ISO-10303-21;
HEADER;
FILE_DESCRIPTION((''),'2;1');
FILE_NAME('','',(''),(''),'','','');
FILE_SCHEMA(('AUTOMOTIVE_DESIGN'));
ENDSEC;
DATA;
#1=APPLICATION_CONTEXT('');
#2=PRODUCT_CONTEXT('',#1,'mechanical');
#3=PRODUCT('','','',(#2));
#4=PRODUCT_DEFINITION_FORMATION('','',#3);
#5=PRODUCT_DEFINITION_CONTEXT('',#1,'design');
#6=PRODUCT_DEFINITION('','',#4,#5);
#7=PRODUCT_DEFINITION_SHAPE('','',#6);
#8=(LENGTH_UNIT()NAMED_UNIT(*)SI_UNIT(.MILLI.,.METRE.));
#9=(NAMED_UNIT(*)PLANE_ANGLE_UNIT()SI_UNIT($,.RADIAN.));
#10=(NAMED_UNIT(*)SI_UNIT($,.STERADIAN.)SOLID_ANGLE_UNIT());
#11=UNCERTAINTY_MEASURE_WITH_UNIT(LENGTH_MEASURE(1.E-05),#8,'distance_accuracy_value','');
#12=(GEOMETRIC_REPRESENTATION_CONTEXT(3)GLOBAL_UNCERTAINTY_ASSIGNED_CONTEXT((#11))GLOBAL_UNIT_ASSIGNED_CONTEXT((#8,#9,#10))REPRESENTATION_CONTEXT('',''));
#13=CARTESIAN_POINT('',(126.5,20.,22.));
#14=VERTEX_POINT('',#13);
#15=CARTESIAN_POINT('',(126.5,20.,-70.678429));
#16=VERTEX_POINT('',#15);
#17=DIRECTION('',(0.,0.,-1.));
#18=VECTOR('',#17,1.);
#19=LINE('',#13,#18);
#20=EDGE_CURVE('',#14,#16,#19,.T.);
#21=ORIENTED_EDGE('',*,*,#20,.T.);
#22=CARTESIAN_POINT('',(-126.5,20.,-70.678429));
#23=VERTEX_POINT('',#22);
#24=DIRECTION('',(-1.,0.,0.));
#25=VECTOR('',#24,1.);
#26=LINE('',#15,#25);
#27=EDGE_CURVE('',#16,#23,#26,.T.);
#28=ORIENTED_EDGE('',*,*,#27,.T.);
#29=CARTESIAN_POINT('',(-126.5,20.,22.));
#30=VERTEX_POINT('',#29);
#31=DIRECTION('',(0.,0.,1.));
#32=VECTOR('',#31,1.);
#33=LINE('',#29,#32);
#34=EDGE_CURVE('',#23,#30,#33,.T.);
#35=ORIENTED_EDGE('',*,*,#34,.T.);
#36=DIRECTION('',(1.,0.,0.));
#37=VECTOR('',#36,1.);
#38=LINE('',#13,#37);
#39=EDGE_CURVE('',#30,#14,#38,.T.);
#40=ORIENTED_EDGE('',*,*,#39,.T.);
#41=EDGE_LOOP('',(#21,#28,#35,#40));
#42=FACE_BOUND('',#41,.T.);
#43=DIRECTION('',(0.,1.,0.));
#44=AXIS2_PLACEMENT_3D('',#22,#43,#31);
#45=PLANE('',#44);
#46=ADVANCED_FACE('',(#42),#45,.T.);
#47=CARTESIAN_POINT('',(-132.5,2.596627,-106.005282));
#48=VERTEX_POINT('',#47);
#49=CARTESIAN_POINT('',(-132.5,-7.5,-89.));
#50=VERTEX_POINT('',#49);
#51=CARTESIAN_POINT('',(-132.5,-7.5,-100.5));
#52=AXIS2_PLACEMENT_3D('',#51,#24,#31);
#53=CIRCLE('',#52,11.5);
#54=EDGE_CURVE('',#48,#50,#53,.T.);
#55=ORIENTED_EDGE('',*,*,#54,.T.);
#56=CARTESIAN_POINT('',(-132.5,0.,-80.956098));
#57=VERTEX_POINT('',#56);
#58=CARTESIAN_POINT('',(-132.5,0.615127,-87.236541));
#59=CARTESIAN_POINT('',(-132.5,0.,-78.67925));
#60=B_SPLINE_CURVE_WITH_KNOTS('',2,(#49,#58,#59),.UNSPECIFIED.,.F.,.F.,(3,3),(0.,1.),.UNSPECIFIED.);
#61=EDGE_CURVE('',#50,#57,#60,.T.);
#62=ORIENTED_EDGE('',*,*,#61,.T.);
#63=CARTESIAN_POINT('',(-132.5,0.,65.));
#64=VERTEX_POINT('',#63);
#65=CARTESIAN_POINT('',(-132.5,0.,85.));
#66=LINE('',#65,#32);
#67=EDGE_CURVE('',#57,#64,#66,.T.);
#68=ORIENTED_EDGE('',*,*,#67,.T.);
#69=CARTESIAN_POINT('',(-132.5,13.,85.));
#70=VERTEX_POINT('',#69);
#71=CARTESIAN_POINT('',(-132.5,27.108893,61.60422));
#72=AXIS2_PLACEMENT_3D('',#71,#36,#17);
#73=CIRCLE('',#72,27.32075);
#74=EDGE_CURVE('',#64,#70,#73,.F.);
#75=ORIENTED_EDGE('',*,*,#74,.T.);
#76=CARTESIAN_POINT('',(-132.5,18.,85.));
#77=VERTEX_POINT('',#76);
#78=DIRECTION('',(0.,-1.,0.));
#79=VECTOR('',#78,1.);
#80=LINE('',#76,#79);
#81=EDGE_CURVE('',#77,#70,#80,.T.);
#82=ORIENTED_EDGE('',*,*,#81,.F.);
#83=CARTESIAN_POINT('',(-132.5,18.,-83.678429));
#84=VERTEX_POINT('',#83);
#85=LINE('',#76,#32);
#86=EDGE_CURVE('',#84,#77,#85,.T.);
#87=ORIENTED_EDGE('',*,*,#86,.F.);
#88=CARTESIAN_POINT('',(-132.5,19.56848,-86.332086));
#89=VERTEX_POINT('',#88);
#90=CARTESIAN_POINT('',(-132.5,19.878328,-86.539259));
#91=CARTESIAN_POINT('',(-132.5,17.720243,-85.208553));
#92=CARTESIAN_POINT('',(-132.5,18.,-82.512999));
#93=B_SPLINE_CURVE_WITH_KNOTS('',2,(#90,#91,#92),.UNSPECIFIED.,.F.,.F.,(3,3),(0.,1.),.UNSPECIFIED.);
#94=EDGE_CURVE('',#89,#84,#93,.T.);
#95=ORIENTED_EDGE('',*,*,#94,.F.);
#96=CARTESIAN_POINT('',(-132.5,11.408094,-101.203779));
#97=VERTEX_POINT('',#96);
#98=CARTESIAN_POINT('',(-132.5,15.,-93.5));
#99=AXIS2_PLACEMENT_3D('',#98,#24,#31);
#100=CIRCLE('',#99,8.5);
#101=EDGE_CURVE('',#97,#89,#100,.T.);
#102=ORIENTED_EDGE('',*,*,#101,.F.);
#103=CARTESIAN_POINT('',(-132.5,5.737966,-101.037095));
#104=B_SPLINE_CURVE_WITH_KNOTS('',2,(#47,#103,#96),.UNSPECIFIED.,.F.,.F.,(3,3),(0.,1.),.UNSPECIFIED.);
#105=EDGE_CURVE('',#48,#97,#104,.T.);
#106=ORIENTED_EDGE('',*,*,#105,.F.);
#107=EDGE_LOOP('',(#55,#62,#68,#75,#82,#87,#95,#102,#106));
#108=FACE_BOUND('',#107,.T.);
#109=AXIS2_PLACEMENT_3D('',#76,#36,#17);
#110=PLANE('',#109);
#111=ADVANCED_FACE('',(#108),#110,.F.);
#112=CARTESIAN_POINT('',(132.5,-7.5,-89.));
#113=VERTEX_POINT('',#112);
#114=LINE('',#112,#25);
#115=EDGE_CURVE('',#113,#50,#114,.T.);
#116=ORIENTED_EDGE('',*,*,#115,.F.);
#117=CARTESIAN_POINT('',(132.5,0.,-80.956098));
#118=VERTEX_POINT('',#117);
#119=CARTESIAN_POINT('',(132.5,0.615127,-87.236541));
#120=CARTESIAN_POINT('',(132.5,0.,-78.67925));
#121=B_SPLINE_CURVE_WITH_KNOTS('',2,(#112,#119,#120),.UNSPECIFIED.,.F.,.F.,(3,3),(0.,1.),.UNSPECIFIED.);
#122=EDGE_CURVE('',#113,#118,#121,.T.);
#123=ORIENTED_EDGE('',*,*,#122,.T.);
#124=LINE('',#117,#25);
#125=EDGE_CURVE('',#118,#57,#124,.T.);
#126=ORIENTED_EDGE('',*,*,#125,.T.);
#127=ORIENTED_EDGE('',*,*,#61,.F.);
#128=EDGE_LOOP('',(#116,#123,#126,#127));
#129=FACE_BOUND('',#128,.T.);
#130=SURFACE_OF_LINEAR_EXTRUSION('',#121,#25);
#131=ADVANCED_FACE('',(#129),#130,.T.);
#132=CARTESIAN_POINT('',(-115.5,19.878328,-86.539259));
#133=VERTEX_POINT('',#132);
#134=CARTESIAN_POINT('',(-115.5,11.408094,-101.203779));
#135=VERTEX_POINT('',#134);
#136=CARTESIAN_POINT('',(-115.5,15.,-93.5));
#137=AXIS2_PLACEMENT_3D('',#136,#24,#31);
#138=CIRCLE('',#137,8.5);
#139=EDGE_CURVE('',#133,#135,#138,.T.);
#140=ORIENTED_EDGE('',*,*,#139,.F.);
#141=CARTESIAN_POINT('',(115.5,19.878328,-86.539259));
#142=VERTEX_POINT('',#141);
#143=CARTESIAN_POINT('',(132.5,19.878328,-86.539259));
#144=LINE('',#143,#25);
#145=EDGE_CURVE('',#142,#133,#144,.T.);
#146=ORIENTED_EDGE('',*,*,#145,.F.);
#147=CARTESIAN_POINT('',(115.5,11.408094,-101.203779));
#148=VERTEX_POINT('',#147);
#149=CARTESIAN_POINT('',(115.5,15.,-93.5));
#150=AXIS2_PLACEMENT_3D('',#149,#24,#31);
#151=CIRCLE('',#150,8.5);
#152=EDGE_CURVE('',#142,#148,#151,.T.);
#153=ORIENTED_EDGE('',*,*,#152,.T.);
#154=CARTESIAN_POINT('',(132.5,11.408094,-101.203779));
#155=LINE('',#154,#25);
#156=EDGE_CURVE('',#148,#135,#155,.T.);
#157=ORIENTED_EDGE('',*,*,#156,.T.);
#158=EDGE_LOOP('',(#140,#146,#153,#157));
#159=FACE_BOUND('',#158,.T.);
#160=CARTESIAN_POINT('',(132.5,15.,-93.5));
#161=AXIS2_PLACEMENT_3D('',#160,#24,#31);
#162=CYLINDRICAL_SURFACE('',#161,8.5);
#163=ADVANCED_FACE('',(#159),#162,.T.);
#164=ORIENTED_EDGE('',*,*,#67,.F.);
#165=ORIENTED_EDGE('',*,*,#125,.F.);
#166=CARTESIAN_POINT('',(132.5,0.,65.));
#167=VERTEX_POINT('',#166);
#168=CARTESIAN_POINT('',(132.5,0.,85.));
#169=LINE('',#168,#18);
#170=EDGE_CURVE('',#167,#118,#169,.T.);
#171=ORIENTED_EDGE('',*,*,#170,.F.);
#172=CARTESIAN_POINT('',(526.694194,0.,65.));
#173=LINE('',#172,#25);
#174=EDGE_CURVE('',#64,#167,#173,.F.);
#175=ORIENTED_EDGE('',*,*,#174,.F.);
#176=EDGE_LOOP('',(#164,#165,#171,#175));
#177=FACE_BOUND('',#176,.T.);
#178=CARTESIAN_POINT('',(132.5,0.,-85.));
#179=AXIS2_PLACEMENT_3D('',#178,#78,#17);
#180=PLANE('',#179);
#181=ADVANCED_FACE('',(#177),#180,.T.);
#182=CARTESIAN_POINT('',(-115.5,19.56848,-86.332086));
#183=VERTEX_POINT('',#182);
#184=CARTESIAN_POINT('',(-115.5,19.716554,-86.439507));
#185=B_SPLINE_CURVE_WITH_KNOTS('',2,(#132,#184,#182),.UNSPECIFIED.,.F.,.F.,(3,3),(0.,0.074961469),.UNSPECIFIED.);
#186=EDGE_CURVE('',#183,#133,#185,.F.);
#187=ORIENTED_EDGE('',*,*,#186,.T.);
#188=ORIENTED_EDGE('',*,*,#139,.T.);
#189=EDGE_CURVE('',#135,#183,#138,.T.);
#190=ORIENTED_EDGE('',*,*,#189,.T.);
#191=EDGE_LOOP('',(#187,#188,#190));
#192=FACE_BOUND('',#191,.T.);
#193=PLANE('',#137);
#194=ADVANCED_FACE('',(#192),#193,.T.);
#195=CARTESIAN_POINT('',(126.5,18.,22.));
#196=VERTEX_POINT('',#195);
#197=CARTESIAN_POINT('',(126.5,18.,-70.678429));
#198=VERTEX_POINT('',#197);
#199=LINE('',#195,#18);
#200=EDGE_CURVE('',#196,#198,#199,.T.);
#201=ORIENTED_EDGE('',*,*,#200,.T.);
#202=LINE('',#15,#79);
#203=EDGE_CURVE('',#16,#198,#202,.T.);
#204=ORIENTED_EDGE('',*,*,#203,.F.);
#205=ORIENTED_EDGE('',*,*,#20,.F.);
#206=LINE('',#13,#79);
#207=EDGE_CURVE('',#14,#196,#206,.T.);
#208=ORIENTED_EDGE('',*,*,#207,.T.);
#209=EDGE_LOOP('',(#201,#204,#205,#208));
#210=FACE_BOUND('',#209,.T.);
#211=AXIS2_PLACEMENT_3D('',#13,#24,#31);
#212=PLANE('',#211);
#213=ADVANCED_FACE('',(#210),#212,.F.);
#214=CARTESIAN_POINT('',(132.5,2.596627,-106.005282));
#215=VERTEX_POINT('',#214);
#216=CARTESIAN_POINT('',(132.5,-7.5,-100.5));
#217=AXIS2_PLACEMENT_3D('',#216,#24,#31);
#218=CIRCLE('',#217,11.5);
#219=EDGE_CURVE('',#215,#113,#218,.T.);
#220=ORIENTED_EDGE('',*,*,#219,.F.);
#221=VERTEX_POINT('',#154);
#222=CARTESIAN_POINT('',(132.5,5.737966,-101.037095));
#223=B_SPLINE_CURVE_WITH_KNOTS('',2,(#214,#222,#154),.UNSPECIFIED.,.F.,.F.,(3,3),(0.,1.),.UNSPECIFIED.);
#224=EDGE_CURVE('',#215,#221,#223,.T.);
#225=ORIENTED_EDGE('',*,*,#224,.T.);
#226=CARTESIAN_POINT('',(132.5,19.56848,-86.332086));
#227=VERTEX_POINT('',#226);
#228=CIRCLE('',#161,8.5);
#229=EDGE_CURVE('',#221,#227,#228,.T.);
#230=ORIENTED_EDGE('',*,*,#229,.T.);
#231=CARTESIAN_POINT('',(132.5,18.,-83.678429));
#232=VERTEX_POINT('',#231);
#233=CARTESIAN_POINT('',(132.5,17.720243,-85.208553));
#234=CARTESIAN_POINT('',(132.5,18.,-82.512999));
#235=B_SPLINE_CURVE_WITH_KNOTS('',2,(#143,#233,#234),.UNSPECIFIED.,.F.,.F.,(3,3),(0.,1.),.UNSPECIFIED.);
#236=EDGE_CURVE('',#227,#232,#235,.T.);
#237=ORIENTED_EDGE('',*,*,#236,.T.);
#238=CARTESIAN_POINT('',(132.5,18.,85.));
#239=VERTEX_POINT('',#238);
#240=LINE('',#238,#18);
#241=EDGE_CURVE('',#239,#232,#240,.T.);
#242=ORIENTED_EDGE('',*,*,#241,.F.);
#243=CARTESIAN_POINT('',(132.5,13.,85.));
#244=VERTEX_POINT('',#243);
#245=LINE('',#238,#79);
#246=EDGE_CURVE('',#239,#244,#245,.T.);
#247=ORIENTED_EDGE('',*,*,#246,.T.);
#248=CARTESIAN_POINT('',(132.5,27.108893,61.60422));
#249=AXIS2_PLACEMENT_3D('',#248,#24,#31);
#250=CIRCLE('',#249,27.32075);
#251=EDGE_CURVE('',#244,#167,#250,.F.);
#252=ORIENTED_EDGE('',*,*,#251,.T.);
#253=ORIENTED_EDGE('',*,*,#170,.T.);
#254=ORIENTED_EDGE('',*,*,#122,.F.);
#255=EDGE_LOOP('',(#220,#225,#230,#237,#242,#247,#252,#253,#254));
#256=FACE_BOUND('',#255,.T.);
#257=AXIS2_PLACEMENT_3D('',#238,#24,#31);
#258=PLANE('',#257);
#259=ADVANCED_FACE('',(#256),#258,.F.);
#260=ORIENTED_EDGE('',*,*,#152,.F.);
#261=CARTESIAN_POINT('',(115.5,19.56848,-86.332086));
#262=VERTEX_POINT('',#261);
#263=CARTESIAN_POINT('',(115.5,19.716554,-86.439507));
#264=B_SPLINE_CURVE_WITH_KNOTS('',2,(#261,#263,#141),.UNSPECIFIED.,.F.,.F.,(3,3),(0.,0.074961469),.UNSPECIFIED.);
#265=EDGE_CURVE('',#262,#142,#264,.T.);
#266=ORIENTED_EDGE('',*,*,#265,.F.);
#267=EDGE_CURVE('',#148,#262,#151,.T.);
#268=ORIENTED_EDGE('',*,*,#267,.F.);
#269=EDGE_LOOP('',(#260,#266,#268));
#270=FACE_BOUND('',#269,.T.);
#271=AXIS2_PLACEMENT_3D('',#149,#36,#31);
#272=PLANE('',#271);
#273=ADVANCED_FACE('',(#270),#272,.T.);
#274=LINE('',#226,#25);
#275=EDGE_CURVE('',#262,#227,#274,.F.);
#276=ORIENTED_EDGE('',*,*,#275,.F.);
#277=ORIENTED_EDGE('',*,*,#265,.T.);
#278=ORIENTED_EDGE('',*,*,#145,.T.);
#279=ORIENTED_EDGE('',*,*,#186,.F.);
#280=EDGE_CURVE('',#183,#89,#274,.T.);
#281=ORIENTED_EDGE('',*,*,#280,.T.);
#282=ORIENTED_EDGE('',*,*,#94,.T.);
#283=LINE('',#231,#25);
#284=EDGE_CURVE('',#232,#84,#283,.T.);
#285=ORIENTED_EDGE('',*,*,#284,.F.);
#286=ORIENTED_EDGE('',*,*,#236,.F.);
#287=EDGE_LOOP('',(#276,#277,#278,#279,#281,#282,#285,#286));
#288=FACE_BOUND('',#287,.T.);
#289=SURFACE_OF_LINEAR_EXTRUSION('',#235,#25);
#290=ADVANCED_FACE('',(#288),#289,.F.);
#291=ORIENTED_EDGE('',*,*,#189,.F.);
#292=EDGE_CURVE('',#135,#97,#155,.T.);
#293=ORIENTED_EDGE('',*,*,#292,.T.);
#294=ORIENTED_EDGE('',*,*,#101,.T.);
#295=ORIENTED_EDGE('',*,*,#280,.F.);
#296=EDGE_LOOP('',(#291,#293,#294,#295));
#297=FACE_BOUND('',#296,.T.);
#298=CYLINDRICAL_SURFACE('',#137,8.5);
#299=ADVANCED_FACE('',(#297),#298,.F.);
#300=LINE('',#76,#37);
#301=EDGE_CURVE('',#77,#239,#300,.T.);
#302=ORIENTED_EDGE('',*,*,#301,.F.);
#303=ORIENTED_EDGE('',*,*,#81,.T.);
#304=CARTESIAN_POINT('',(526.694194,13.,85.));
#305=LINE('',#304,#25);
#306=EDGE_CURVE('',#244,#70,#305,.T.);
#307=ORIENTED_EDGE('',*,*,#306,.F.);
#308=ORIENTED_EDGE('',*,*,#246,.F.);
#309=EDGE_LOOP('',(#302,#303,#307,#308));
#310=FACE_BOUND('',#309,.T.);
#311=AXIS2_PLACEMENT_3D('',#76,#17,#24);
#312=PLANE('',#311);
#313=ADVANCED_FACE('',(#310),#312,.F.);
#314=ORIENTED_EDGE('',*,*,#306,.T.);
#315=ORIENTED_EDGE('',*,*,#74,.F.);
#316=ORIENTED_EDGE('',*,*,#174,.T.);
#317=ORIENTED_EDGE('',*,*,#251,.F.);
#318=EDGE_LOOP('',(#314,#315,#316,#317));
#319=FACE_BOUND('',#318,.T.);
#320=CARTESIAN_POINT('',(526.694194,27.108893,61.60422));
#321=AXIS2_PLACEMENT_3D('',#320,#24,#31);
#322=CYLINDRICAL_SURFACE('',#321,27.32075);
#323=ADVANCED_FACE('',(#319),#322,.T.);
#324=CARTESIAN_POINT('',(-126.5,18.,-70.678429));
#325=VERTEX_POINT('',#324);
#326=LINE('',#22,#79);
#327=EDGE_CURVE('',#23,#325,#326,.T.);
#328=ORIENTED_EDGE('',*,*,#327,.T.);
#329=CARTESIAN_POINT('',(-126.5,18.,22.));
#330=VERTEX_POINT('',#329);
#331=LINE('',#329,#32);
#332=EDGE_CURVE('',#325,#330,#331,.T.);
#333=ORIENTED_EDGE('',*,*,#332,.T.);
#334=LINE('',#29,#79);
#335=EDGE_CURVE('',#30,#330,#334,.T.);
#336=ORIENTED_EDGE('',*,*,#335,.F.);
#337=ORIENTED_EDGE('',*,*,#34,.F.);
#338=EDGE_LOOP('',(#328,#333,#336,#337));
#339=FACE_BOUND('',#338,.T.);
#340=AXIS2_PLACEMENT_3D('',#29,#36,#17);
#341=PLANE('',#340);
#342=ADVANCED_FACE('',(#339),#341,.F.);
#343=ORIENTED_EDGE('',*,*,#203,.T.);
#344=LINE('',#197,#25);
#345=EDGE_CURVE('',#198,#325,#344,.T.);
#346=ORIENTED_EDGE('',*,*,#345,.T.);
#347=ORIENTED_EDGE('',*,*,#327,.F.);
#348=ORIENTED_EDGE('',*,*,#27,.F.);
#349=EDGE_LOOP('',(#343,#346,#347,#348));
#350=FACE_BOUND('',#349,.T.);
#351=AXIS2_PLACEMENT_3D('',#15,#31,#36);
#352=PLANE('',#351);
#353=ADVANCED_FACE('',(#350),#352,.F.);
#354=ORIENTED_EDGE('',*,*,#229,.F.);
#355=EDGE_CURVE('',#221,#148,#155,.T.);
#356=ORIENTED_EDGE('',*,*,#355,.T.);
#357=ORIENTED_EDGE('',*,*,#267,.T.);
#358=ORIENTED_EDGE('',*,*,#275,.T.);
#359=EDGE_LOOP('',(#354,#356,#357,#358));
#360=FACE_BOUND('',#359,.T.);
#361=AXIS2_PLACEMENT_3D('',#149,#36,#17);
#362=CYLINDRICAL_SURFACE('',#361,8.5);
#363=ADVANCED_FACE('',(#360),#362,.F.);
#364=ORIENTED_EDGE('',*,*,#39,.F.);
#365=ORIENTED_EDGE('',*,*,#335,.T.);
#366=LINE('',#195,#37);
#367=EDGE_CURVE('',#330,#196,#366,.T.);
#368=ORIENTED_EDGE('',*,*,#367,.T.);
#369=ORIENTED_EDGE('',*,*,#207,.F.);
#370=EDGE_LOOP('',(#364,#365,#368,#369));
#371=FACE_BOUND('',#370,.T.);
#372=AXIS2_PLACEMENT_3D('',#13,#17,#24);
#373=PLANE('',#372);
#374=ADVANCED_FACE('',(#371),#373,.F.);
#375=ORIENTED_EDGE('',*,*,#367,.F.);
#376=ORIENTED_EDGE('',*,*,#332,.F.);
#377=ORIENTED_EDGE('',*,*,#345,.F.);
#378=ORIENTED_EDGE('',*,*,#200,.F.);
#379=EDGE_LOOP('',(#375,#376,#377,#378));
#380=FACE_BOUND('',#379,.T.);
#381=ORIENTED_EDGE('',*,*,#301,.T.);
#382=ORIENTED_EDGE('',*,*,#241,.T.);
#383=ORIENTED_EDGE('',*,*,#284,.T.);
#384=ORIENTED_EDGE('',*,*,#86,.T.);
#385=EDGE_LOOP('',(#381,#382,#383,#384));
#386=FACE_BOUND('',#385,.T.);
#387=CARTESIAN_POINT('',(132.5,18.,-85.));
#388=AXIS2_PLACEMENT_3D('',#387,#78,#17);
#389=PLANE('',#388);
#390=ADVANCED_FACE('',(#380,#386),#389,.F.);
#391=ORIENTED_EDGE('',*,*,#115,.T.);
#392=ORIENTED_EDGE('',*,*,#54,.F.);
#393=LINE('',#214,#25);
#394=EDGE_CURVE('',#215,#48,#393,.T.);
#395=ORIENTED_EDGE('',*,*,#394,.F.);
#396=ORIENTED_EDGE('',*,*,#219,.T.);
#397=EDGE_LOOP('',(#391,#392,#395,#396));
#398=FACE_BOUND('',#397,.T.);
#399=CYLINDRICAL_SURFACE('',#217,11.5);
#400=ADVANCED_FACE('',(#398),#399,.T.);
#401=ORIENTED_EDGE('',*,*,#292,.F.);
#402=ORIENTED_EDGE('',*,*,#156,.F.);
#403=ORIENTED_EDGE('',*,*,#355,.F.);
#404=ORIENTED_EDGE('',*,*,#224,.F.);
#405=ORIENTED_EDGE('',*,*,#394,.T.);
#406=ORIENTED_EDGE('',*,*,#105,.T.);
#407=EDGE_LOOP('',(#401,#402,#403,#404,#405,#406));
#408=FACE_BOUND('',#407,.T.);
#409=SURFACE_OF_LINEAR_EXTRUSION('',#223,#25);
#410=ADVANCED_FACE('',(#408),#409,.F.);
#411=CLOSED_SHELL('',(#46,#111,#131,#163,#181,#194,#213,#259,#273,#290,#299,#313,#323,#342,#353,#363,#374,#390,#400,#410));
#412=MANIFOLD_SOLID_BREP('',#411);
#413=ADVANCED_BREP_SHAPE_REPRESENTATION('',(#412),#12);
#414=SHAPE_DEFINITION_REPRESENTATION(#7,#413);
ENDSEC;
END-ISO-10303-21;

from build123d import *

# Parameters (mm, degrees)
SKETCH1_W               = 265
SKETCH1_H               = 170
BOSS_EXTRUDE1_DEPTH     = 18
CUT_EXTRUDE1_DEPTH      = 1
CUT_EXTRUDE1_DEPTH_BACK = 266
BOSS_EXTRUDE2_DEPTH     = 265
SKETCH4_W               = 253
SKETCH4_H               = 92.678428724
BOSS_EXTRUDE3_DEPTH     = 2
BOSS_EXTRUDE4_DEPTH     = 265
SKETCH8_R               = 8.5
CUT_EXTRUDE3_DEPTH      = 17


with BuildPart() as part:
    # Sketch1 → Boss-Extrude1 (new body)
    with BuildSketch(Plane(origin=(0, 0, 0), x_dir=(1, 0, 0), z_dir=(0, 1, 0))):
        Rectangle(SKETCH1_W, SKETCH1_H)
    extrude(amount=BOSS_EXTRUDE1_DEPTH)

    # Sketch2 → Cut-Extrude1 (cut, two sides)
    with BuildSketch(Plane(origin=(132.5, 0, 0), x_dir=(0, 0, -1), z_dir=(1, 0, 0))) as cut_extrude1_sk:
        with BuildLine():
            Line((-266.258489167, 313.568151134), (-85, 13))
            ThreePointArc((-85, 13), (-76.493710292, 4.201984165), (-65, 0))
            Line((-65, 0), (283.270913158, -43.625960377))
            Line((283.270913158, -43.625960377), (-99.302917842, -632.201084994))
            Line((-99.302917842, -632.201084994), (-648.832320167, -275.006973483))
            Line((-648.832320167, -275.006973483), (-266.258489167, 313.568151134))
        make_face()
    extrude(amount=CUT_EXTRUDE1_DEPTH, mode=Mode.SUBTRACT)
    extrude(cut_extrude1_sk.sketch, amount=-CUT_EXTRUDE1_DEPTH_BACK, mode=Mode.SUBTRACT)

    # Sketch3 → Boss-Extrude2 (add)
    with BuildSketch(Plane.ZY.offset(132.5)):
        with BuildLine():
            ThreePointArc((-85, 15), (-88.140347905, 8.402718027), (-95.24097163, 6.680203261))
            add(Edge.make_bspline(
                [(-95.24097163, 6.680203261), (-89.327681397, 4.618052191), (-85, 0)],
                knots=[0, 0, 0, 1, 1, 1], degree=2))
            Line((-85, 0), (-85, 15))
        make_face()
        with BuildLine():
            add(Edge.make_bspline(
                [(-86.53925872, 19.878327668), (-86.439507091, 19.716554468), (-86.33208607, 19.568480042)],
                knots=[0, 0, 0, 0.074961469, 0.074961469, 0.074961469], degree=2))
            ThreePointArc((-86.53925872, 19.878327668), (-100.596416051, 19.678768987), (-95.24097163, 6.680203261))
            ThreePointArc((-95.24097163, 6.680203261), (-88.140347905, 8.402718027), (-85, 15))
            ThreePointArc((-85, 15), (-85.339814083, 17.379362477), (-86.33208607, 19.568480042))
        make_face()
        with BuildLine():
            add(Edge.make_bspline(
                [(-86.33208607, 19.568480042), (-85.335385171, 18.194578424), (-83.678428785, 18)],
                knots=[0.074961469, 0.074961469, 0.074961469, 0.770487944, 0.770487944, 0.770487944], degree=2))
            ThreePointArc((-86.33208607, 19.568480042), (-85.339814083, 17.379362477), (-85, 15))
            Line((-85, 15), (-85, 18))
            Line((-85, 18), (-83.678428785, 18))
        make_face()
    extrude(amount=-BOSS_EXTRUDE2_DEPTH)

    # Sketch4 → Boss-Extrude3 (add)
    with BuildSketch(Plane(origin=(0, 18, 0), x_dir=(1, 0, 0), z_dir=(0, 1, 0))):
        with Locations((0, 24.339214362)):
            Rectangle(SKETCH4_W, SKETCH4_H)
    extrude(amount=BOSS_EXTRUDE3_DEPTH)

    # Sketch6 → Boss-Extrude4 (add)
    with BuildSketch(Plane.ZY.offset(132.5)):
        with BuildLine():
            Line((-101.203779097, 11.408094152), (-78.679249537, 0))
            add(Edge.make_bspline(
                [(-89, -7.5), (-87.236541116, 0.615126939), (-78.679249537, 0)],
                knots=[0, 0, 0, 1, 1, 1], degree=2))
            ThreePointArc((-89, -7.5), (-106.371084282, -17.388395692), (-106.005281627, 2.596626873))
            add(Edge.make_bspline(
                [(-106.005281627, 2.596626873), (-101.037094557, 5.737965522), (-101.203779097, 11.408094152)],
                knots=[0, 0, 0, 1, 1, 1], degree=2))
        make_face()
    extrude(amount=-BOSS_EXTRUDE4_DEPTH)

    # Sketch8 → Cut-Extrude3 (cut)
    with BuildSketch(Plane.ZY.offset(132.5)):
        with Locations((-93.5, 15)):
            Circle(SKETCH8_R)
    cut_extrude3 = extrude(amount=-CUT_EXTRUDE3_DEPTH, mode=Mode.SUBTRACT)

    # Mirror1: Cut-Extrude3 across plane
    add(cut_extrude3.mirror(Plane(origin=(0, 0, 0), x_dir=(0, 0, 1), z_dir=(1, 0, 0))), mode=Mode.SUBTRACT)


solid = part.part
